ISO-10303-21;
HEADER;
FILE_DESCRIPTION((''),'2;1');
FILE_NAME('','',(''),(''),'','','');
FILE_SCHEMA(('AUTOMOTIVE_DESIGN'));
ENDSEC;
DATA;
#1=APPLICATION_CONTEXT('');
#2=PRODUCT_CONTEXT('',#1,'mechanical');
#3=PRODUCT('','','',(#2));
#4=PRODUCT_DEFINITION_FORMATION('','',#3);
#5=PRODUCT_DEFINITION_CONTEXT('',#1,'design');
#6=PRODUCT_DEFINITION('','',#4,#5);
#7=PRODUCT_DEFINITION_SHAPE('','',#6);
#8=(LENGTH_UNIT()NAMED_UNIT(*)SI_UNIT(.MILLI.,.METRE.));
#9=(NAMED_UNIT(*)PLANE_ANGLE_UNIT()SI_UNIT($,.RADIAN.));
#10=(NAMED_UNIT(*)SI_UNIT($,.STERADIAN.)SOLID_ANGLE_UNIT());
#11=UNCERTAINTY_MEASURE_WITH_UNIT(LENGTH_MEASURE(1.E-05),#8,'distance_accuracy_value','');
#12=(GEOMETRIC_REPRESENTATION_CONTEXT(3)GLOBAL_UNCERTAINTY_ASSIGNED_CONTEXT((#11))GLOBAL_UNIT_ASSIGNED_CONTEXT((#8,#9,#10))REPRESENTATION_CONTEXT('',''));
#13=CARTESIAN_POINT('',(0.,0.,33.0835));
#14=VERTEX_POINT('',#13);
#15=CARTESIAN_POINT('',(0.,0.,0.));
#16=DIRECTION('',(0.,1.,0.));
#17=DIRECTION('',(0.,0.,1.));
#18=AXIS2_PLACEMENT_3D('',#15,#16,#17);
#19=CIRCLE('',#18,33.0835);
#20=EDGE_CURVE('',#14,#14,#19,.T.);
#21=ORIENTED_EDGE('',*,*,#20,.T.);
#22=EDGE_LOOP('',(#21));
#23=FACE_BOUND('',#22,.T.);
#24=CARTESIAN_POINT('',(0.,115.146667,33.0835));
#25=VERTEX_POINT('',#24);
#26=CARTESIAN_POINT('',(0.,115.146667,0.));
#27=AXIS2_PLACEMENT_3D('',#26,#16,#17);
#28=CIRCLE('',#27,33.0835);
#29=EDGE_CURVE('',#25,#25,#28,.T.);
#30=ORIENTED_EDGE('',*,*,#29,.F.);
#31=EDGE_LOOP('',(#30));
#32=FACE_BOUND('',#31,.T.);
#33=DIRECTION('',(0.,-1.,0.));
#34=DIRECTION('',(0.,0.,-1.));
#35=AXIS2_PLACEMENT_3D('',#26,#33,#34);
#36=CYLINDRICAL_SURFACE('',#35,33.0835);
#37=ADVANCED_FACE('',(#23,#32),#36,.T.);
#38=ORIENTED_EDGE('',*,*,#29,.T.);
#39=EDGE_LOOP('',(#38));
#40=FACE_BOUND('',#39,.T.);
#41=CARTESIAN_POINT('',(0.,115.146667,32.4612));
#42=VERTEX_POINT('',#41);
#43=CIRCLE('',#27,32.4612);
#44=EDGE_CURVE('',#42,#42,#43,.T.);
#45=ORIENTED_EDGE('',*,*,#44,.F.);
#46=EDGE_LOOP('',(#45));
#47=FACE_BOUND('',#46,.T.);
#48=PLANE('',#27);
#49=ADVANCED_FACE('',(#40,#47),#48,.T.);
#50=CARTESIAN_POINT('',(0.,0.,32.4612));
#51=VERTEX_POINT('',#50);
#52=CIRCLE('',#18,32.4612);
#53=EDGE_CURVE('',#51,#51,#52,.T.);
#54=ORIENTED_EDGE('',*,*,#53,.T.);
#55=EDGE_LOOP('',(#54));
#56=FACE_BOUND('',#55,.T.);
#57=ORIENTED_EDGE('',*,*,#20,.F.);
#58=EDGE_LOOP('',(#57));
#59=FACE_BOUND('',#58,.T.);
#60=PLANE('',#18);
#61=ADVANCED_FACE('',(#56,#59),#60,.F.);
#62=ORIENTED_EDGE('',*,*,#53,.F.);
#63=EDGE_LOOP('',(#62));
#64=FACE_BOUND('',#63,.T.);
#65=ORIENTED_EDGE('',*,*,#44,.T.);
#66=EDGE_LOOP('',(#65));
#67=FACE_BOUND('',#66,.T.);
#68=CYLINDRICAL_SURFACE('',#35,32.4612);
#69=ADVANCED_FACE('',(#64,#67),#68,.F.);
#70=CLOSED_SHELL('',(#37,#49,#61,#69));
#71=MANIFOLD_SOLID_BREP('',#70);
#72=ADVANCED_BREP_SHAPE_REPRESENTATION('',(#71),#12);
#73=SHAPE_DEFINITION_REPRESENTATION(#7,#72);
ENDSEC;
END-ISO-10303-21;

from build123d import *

# Parameters (mm, degrees)
SKETCH1_R           = 33.0835
SKETCH1_R_2         = 32.4612
BOSS_EXTRUDE1_DEPTH = 115.146666667


with BuildPart() as part:
    # Sketch1 → Boss-Extrude1 (new body)
    with BuildSketch(Plane(origin=(0, 0, 0), x_dir=(1, 0, 0), z_dir=(0, 1, 0))):
        Circle(SKETCH1_R)
        Circle(SKETCH1_R_2, mode=Mode.SUBTRACT)
    extrude(amount=BOSS_EXTRUDE1_DEPTH)


solid = part.part
